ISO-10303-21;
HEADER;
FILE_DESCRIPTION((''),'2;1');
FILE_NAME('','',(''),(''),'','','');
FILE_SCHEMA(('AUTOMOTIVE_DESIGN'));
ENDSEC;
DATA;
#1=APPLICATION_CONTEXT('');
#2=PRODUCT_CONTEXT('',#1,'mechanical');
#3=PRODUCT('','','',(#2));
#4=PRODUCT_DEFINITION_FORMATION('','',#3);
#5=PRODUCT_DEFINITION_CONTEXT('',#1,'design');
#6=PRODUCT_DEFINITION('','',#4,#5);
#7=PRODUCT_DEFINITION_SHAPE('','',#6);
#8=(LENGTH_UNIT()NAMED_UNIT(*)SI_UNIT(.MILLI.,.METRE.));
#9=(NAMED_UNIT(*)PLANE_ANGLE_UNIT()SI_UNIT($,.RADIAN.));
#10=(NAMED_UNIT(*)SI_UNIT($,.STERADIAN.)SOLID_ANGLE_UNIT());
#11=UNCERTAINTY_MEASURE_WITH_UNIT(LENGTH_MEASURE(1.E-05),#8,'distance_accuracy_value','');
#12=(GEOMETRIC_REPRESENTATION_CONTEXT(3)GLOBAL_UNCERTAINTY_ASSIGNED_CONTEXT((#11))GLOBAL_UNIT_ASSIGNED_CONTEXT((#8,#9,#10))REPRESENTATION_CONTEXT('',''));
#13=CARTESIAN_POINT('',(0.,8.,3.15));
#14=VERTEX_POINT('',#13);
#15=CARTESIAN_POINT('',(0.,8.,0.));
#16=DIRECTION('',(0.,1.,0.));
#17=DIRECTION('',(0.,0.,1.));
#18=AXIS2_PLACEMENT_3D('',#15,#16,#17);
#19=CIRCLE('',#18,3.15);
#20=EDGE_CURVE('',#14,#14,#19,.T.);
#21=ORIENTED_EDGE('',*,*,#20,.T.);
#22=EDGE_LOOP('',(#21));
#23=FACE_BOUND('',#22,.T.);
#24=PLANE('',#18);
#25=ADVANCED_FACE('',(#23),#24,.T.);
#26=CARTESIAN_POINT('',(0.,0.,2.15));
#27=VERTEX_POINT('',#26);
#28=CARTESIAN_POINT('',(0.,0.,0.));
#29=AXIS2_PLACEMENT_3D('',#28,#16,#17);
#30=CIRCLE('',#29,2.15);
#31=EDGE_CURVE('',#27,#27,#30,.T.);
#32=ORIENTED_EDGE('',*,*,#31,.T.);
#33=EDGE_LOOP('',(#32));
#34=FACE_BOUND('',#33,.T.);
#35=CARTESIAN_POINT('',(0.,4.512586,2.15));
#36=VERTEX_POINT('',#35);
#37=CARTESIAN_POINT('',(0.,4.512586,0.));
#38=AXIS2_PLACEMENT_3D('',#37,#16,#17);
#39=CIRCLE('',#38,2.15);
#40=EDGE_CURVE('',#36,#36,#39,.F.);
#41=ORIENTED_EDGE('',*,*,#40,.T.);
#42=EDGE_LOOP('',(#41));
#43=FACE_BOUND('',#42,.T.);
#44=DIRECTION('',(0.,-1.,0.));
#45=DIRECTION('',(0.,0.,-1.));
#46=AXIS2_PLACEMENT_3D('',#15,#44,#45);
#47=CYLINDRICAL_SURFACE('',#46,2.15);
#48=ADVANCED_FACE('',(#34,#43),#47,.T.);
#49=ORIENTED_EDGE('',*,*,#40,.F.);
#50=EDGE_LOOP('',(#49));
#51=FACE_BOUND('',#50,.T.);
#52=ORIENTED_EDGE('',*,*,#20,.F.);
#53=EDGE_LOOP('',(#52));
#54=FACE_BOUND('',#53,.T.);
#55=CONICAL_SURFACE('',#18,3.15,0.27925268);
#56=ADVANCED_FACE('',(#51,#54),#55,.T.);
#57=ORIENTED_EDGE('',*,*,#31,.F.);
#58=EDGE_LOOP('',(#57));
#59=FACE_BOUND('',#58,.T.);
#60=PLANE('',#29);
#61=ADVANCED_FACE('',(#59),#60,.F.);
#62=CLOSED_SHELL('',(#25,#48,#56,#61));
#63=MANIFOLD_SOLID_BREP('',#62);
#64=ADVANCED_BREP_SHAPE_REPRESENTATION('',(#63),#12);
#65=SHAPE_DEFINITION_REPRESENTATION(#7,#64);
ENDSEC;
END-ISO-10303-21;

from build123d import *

# Parameters (mm, degrees)
SKETCH1_R           = 2.15
BOSS_EXTRUDE1_DEPTH = 8
SKETCH2_R           = 3.15
BOSS_EXTRUDE2_DEPTH = 4.5
BOSS_EXTRUDE2_DRAFT = -16


with BuildPart() as part:
    # Sketch1 → Boss-Extrude1 (new body)
    with BuildSketch(Plane(origin=(0, 0, 0), x_dir=(1, 0, 0), z_dir=(0, 1, 0))):
        with Locations(Location((0, 0, 0), (0, 0, 270))):
            Circle(SKETCH1_R)
    extrude(amount=BOSS_EXTRUDE1_DEPTH)


with BuildPart() as boss_extrude2_tool:
    # Sketch2 → Boss-Extrude2 (with draft: the straight prism first)
    with BuildSketch(Plane(origin=(0, 8, 0), x_dir=(1, 0, 0), z_dir=(0, 1, 0))):
        Circle(SKETCH2_R)
    extrude(amount=-BOSS_EXTRUDE2_DEPTH)
    # Boss-Extrude2: the draft: its side faces are tilted about the plane it starts from
    boss_extrude2_sides = [boss_extrude2_tool.faces().sort_by_distance(p)[0] for p in [
        (-3.15, 5.75, 0),
    ]]
    draft(boss_extrude2_sides, Plane(origin=(0, 8, 0), x_dir=(1, 0, 0), z_dir=(0, 1, 0)), BOSS_EXTRUDE2_DRAFT)


with BuildPart() as part_1:
    add(part.part)

    # Boss-Extrude2: add boss_extrude2_tool
    add(boss_extrude2_tool.part)


solid = part_1.part
